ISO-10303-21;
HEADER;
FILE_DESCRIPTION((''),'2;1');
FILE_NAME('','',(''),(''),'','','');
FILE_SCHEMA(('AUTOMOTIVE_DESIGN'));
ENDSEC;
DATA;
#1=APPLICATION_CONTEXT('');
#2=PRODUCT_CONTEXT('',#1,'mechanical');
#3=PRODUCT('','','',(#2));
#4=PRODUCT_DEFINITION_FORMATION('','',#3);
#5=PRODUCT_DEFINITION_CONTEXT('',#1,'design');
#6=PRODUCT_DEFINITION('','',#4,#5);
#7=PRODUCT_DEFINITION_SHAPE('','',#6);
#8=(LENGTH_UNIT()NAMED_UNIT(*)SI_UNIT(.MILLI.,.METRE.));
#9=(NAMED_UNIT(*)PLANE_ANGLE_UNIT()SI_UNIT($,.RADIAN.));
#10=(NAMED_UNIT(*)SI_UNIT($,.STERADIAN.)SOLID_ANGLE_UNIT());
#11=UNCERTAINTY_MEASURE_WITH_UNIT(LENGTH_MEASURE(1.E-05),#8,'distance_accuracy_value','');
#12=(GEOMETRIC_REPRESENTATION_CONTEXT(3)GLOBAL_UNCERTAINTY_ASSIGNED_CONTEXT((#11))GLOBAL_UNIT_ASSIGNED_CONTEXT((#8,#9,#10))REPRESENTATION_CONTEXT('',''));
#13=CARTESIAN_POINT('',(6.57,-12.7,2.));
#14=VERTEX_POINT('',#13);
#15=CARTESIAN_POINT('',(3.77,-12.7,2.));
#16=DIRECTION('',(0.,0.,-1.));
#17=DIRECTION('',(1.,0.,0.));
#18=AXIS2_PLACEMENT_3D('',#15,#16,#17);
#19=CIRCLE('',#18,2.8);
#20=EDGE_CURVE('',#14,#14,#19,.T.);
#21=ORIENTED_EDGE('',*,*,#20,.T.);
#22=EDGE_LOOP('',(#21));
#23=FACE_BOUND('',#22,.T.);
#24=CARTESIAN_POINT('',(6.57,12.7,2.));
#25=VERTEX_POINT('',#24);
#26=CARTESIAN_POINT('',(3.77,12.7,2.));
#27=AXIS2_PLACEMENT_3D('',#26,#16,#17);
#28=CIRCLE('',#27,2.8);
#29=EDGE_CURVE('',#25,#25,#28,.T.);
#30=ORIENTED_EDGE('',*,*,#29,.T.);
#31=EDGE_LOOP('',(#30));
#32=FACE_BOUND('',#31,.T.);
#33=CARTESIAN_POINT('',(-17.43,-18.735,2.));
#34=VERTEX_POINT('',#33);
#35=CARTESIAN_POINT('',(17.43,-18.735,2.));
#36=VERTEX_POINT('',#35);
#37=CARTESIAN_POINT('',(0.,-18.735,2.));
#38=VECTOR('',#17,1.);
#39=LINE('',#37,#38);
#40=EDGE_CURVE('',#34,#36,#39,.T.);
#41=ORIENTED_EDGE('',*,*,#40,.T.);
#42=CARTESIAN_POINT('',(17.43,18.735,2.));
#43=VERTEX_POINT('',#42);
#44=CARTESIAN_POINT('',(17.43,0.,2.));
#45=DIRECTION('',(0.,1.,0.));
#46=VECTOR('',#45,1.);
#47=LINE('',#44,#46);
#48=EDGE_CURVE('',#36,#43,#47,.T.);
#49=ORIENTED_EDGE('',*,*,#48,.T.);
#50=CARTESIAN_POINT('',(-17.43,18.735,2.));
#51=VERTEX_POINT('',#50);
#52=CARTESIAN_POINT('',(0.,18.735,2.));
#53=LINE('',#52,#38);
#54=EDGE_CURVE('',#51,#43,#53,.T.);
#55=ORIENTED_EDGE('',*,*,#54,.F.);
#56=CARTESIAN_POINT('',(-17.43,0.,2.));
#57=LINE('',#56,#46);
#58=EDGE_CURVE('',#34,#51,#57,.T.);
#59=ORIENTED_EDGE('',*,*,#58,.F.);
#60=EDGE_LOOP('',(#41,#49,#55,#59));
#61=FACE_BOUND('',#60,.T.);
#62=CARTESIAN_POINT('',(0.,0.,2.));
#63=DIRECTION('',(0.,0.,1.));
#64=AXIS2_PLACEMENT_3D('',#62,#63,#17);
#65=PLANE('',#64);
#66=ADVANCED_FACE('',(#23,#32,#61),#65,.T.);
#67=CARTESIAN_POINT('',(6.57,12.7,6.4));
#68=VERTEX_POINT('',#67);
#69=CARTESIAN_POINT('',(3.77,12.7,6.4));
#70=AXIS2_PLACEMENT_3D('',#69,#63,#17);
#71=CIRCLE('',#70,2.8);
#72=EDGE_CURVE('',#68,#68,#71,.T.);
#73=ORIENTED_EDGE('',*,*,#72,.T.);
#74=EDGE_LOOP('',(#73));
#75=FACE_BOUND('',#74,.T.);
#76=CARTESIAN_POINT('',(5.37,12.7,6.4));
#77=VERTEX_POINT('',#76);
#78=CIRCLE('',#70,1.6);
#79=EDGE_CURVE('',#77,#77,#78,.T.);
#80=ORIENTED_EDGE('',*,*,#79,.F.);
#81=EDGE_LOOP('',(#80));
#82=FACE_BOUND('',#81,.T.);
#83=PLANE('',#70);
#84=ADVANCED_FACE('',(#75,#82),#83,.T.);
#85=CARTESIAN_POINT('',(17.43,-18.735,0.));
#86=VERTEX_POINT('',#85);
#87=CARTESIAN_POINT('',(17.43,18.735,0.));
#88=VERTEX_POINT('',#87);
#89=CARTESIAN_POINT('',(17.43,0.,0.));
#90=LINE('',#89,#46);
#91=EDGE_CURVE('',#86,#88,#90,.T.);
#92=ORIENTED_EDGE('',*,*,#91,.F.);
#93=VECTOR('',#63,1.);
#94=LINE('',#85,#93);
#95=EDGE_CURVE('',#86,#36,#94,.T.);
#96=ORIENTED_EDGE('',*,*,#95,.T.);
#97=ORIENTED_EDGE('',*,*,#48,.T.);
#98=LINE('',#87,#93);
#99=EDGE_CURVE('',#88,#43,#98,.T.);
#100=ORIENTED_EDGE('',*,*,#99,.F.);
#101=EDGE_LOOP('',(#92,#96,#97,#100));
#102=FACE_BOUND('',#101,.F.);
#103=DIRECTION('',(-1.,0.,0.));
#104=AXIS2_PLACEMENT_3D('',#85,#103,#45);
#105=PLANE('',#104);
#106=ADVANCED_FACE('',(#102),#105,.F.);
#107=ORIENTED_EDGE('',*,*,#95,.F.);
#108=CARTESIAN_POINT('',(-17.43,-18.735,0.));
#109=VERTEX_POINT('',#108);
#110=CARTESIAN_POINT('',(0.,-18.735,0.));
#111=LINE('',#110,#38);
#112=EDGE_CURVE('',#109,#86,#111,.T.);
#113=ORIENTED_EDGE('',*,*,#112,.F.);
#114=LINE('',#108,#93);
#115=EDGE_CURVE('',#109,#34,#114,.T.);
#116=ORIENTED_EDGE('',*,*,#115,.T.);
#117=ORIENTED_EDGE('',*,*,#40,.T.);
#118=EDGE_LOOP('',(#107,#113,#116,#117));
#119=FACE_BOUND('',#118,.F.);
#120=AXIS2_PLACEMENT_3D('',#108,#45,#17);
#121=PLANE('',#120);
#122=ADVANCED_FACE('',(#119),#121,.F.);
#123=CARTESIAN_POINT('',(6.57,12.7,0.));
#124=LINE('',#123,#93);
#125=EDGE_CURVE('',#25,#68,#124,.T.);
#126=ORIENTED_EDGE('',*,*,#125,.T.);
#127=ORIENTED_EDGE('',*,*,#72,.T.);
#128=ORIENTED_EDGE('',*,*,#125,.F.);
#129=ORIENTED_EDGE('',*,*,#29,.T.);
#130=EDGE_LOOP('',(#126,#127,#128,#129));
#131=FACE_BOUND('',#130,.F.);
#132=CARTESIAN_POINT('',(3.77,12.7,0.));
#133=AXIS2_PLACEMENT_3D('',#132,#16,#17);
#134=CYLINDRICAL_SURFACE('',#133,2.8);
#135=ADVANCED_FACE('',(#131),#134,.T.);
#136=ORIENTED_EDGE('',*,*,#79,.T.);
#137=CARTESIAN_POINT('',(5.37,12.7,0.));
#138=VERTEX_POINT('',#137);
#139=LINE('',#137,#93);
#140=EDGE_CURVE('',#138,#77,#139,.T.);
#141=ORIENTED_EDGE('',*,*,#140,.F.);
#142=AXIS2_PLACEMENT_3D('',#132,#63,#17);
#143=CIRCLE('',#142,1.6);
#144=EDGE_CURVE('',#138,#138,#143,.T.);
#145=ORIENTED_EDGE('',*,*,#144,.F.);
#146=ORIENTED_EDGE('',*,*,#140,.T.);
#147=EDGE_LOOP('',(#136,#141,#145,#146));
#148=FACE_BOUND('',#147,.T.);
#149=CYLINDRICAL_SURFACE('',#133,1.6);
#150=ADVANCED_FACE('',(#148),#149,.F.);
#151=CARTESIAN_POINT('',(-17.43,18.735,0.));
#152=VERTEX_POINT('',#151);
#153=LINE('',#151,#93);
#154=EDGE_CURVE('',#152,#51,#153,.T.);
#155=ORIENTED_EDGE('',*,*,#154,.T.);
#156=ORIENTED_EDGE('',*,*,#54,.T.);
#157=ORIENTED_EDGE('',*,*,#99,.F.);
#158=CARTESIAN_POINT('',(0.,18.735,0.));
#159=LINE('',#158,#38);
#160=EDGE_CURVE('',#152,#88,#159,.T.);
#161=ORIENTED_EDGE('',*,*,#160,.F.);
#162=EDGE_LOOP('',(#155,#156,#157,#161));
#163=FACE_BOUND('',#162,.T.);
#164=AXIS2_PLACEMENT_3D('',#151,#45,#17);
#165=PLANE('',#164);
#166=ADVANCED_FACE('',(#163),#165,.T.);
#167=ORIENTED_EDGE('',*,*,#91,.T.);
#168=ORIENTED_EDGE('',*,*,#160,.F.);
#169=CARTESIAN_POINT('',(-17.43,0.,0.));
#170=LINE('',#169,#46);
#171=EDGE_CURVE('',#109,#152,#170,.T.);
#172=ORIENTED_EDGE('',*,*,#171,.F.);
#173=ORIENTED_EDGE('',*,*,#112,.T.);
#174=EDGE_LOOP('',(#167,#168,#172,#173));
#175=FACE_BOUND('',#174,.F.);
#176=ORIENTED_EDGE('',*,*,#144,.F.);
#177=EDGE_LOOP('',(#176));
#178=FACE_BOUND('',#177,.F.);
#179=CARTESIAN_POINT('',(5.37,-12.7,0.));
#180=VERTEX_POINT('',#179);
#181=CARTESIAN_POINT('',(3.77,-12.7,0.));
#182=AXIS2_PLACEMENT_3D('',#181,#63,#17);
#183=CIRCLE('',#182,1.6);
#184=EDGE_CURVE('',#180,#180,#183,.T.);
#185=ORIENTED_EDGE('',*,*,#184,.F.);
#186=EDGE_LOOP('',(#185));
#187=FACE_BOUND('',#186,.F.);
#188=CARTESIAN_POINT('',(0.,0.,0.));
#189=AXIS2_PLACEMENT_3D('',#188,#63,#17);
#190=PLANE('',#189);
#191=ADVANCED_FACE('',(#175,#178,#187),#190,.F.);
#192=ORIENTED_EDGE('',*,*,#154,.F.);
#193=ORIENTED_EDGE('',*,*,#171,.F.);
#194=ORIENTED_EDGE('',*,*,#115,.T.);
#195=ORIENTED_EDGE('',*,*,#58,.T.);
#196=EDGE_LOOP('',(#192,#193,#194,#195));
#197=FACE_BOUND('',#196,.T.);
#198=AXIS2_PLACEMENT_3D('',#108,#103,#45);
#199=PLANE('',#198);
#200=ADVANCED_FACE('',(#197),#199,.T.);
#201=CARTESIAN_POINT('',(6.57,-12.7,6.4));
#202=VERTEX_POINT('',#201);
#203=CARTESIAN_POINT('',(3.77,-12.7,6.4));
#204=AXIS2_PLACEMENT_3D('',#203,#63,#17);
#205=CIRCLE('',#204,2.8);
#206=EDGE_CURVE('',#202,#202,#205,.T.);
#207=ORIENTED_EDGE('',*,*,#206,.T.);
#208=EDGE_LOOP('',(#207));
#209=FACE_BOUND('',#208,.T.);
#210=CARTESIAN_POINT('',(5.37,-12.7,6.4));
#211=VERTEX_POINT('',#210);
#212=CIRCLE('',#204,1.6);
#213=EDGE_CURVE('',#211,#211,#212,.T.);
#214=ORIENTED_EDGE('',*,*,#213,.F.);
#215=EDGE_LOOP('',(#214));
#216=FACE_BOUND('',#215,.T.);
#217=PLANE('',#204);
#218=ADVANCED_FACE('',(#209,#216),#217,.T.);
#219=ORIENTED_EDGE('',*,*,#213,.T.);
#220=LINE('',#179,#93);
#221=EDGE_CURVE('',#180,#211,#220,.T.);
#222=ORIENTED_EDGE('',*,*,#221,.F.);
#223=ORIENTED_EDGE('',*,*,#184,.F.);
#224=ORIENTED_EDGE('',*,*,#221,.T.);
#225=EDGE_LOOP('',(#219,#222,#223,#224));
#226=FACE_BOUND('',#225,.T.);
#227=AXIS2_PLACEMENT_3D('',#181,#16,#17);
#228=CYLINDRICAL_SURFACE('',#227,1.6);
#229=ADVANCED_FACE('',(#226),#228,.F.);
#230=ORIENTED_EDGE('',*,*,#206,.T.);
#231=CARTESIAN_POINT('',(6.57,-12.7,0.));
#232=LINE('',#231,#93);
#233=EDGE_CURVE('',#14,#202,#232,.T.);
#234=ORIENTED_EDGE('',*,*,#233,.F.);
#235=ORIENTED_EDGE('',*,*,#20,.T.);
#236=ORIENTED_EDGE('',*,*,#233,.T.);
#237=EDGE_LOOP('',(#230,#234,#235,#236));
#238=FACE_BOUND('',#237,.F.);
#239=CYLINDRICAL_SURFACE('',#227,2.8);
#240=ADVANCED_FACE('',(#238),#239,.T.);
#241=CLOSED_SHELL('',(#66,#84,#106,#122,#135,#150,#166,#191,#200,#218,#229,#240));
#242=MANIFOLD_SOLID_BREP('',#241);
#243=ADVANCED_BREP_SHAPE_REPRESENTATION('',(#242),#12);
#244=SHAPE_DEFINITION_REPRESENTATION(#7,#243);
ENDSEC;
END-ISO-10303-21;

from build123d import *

# Parameters (mm, degrees)
F0_W     = 34.86
F0_H     = 37.47
F0_R     = 2.8
F0_W_2   = 4.5
F0_H_2   = 6.7
F0_R_2   = 1.6
F1_DEPTH = 2
F2_DEPTH = 6.4


with BuildPart() as f1:
    # F0 (on Top) → F1 (new body)
    with BuildSketch(Plane.XY):
        Rectangle(F0_W, F0_H)
        Polygon((15.03, 16.335), (15.03, -16.335), (-15.03, -16.335), (-15.03, -14.065), (-15.03, 3.565), (-15.03, 16.335), align=None, mode=Mode.SUBTRACT)
        Polygon((-15.03, -16.335), (15.03, -16.335), (15.03, 16.335), (-15.03, 16.335), (-15.03, 3.565), (-8.03, 3.565), (-8.03, -5.735), (-10.53, -5.735), (-10.53, -14.065), (-14.03, -14.065), (-15.03, -14.065), align=None)
        with Locations((3.77, -12.7)):
            Circle(F0_R, mode=Mode.SUBTRACT)
        with Locations((11.22, -8.785)):
            Rectangle(F0_W_2, F0_H_2, mode=Mode.SUBTRACT)
        with Locations((11.22, 0.235)):
            Rectangle(F0_W_2, F0_H_2, mode=Mode.SUBTRACT)
        with Locations((11.22, 9.185)):
            Rectangle(F0_W_2, F0_H_2, mode=Mode.SUBTRACT)
        with Locations((3.77, 12.7)):
            Circle(F0_R, mode=Mode.SUBTRACT)
        Polygon((-15.03, 3.565), (-15.03, -14.065), (-14.03, -14.065), (-10.53, -14.065), (-10.53, -5.735), (-8.03, -5.735), (-8.03, 3.565), align=None)
        with Locations((3.77, 12.7)):
            Circle(F0_R)
        with Locations((3.77, 12.7)):
            Circle(F0_R_2, mode=Mode.SUBTRACT)
        with Locations((3.77, -12.7)):
            Circle(F0_R)
        with Locations((3.77, -12.7)):
            Circle(F0_R_2, mode=Mode.SUBTRACT)
        with Locations((11.22, 9.185)):
            Rectangle(F0_W_2, F0_H_2)
        with Locations((11.22, 0.235)):
            Rectangle(F0_W_2, F0_H_2)
        with Locations((11.22, -8.785)):
            Rectangle(F0_W_2, F0_H_2)
    extrude(amount=F1_DEPTH)

    # F0 (on Top) → F2 (join)
    with BuildSketch(Plane.XY):
        with Locations((3.77, 12.7)):
            Circle(F0_R)
        with Locations((3.77, 12.7)):
            Circle(F0_R_2, mode=Mode.SUBTRACT)
        with Locations((3.77, -12.7)):
            Circle(F0_R)
        with Locations((3.77, -12.7)):
            Circle(F0_R_2, mode=Mode.SUBTRACT)
    extrude(amount=F2_DEPTH)


solid = f1.part
